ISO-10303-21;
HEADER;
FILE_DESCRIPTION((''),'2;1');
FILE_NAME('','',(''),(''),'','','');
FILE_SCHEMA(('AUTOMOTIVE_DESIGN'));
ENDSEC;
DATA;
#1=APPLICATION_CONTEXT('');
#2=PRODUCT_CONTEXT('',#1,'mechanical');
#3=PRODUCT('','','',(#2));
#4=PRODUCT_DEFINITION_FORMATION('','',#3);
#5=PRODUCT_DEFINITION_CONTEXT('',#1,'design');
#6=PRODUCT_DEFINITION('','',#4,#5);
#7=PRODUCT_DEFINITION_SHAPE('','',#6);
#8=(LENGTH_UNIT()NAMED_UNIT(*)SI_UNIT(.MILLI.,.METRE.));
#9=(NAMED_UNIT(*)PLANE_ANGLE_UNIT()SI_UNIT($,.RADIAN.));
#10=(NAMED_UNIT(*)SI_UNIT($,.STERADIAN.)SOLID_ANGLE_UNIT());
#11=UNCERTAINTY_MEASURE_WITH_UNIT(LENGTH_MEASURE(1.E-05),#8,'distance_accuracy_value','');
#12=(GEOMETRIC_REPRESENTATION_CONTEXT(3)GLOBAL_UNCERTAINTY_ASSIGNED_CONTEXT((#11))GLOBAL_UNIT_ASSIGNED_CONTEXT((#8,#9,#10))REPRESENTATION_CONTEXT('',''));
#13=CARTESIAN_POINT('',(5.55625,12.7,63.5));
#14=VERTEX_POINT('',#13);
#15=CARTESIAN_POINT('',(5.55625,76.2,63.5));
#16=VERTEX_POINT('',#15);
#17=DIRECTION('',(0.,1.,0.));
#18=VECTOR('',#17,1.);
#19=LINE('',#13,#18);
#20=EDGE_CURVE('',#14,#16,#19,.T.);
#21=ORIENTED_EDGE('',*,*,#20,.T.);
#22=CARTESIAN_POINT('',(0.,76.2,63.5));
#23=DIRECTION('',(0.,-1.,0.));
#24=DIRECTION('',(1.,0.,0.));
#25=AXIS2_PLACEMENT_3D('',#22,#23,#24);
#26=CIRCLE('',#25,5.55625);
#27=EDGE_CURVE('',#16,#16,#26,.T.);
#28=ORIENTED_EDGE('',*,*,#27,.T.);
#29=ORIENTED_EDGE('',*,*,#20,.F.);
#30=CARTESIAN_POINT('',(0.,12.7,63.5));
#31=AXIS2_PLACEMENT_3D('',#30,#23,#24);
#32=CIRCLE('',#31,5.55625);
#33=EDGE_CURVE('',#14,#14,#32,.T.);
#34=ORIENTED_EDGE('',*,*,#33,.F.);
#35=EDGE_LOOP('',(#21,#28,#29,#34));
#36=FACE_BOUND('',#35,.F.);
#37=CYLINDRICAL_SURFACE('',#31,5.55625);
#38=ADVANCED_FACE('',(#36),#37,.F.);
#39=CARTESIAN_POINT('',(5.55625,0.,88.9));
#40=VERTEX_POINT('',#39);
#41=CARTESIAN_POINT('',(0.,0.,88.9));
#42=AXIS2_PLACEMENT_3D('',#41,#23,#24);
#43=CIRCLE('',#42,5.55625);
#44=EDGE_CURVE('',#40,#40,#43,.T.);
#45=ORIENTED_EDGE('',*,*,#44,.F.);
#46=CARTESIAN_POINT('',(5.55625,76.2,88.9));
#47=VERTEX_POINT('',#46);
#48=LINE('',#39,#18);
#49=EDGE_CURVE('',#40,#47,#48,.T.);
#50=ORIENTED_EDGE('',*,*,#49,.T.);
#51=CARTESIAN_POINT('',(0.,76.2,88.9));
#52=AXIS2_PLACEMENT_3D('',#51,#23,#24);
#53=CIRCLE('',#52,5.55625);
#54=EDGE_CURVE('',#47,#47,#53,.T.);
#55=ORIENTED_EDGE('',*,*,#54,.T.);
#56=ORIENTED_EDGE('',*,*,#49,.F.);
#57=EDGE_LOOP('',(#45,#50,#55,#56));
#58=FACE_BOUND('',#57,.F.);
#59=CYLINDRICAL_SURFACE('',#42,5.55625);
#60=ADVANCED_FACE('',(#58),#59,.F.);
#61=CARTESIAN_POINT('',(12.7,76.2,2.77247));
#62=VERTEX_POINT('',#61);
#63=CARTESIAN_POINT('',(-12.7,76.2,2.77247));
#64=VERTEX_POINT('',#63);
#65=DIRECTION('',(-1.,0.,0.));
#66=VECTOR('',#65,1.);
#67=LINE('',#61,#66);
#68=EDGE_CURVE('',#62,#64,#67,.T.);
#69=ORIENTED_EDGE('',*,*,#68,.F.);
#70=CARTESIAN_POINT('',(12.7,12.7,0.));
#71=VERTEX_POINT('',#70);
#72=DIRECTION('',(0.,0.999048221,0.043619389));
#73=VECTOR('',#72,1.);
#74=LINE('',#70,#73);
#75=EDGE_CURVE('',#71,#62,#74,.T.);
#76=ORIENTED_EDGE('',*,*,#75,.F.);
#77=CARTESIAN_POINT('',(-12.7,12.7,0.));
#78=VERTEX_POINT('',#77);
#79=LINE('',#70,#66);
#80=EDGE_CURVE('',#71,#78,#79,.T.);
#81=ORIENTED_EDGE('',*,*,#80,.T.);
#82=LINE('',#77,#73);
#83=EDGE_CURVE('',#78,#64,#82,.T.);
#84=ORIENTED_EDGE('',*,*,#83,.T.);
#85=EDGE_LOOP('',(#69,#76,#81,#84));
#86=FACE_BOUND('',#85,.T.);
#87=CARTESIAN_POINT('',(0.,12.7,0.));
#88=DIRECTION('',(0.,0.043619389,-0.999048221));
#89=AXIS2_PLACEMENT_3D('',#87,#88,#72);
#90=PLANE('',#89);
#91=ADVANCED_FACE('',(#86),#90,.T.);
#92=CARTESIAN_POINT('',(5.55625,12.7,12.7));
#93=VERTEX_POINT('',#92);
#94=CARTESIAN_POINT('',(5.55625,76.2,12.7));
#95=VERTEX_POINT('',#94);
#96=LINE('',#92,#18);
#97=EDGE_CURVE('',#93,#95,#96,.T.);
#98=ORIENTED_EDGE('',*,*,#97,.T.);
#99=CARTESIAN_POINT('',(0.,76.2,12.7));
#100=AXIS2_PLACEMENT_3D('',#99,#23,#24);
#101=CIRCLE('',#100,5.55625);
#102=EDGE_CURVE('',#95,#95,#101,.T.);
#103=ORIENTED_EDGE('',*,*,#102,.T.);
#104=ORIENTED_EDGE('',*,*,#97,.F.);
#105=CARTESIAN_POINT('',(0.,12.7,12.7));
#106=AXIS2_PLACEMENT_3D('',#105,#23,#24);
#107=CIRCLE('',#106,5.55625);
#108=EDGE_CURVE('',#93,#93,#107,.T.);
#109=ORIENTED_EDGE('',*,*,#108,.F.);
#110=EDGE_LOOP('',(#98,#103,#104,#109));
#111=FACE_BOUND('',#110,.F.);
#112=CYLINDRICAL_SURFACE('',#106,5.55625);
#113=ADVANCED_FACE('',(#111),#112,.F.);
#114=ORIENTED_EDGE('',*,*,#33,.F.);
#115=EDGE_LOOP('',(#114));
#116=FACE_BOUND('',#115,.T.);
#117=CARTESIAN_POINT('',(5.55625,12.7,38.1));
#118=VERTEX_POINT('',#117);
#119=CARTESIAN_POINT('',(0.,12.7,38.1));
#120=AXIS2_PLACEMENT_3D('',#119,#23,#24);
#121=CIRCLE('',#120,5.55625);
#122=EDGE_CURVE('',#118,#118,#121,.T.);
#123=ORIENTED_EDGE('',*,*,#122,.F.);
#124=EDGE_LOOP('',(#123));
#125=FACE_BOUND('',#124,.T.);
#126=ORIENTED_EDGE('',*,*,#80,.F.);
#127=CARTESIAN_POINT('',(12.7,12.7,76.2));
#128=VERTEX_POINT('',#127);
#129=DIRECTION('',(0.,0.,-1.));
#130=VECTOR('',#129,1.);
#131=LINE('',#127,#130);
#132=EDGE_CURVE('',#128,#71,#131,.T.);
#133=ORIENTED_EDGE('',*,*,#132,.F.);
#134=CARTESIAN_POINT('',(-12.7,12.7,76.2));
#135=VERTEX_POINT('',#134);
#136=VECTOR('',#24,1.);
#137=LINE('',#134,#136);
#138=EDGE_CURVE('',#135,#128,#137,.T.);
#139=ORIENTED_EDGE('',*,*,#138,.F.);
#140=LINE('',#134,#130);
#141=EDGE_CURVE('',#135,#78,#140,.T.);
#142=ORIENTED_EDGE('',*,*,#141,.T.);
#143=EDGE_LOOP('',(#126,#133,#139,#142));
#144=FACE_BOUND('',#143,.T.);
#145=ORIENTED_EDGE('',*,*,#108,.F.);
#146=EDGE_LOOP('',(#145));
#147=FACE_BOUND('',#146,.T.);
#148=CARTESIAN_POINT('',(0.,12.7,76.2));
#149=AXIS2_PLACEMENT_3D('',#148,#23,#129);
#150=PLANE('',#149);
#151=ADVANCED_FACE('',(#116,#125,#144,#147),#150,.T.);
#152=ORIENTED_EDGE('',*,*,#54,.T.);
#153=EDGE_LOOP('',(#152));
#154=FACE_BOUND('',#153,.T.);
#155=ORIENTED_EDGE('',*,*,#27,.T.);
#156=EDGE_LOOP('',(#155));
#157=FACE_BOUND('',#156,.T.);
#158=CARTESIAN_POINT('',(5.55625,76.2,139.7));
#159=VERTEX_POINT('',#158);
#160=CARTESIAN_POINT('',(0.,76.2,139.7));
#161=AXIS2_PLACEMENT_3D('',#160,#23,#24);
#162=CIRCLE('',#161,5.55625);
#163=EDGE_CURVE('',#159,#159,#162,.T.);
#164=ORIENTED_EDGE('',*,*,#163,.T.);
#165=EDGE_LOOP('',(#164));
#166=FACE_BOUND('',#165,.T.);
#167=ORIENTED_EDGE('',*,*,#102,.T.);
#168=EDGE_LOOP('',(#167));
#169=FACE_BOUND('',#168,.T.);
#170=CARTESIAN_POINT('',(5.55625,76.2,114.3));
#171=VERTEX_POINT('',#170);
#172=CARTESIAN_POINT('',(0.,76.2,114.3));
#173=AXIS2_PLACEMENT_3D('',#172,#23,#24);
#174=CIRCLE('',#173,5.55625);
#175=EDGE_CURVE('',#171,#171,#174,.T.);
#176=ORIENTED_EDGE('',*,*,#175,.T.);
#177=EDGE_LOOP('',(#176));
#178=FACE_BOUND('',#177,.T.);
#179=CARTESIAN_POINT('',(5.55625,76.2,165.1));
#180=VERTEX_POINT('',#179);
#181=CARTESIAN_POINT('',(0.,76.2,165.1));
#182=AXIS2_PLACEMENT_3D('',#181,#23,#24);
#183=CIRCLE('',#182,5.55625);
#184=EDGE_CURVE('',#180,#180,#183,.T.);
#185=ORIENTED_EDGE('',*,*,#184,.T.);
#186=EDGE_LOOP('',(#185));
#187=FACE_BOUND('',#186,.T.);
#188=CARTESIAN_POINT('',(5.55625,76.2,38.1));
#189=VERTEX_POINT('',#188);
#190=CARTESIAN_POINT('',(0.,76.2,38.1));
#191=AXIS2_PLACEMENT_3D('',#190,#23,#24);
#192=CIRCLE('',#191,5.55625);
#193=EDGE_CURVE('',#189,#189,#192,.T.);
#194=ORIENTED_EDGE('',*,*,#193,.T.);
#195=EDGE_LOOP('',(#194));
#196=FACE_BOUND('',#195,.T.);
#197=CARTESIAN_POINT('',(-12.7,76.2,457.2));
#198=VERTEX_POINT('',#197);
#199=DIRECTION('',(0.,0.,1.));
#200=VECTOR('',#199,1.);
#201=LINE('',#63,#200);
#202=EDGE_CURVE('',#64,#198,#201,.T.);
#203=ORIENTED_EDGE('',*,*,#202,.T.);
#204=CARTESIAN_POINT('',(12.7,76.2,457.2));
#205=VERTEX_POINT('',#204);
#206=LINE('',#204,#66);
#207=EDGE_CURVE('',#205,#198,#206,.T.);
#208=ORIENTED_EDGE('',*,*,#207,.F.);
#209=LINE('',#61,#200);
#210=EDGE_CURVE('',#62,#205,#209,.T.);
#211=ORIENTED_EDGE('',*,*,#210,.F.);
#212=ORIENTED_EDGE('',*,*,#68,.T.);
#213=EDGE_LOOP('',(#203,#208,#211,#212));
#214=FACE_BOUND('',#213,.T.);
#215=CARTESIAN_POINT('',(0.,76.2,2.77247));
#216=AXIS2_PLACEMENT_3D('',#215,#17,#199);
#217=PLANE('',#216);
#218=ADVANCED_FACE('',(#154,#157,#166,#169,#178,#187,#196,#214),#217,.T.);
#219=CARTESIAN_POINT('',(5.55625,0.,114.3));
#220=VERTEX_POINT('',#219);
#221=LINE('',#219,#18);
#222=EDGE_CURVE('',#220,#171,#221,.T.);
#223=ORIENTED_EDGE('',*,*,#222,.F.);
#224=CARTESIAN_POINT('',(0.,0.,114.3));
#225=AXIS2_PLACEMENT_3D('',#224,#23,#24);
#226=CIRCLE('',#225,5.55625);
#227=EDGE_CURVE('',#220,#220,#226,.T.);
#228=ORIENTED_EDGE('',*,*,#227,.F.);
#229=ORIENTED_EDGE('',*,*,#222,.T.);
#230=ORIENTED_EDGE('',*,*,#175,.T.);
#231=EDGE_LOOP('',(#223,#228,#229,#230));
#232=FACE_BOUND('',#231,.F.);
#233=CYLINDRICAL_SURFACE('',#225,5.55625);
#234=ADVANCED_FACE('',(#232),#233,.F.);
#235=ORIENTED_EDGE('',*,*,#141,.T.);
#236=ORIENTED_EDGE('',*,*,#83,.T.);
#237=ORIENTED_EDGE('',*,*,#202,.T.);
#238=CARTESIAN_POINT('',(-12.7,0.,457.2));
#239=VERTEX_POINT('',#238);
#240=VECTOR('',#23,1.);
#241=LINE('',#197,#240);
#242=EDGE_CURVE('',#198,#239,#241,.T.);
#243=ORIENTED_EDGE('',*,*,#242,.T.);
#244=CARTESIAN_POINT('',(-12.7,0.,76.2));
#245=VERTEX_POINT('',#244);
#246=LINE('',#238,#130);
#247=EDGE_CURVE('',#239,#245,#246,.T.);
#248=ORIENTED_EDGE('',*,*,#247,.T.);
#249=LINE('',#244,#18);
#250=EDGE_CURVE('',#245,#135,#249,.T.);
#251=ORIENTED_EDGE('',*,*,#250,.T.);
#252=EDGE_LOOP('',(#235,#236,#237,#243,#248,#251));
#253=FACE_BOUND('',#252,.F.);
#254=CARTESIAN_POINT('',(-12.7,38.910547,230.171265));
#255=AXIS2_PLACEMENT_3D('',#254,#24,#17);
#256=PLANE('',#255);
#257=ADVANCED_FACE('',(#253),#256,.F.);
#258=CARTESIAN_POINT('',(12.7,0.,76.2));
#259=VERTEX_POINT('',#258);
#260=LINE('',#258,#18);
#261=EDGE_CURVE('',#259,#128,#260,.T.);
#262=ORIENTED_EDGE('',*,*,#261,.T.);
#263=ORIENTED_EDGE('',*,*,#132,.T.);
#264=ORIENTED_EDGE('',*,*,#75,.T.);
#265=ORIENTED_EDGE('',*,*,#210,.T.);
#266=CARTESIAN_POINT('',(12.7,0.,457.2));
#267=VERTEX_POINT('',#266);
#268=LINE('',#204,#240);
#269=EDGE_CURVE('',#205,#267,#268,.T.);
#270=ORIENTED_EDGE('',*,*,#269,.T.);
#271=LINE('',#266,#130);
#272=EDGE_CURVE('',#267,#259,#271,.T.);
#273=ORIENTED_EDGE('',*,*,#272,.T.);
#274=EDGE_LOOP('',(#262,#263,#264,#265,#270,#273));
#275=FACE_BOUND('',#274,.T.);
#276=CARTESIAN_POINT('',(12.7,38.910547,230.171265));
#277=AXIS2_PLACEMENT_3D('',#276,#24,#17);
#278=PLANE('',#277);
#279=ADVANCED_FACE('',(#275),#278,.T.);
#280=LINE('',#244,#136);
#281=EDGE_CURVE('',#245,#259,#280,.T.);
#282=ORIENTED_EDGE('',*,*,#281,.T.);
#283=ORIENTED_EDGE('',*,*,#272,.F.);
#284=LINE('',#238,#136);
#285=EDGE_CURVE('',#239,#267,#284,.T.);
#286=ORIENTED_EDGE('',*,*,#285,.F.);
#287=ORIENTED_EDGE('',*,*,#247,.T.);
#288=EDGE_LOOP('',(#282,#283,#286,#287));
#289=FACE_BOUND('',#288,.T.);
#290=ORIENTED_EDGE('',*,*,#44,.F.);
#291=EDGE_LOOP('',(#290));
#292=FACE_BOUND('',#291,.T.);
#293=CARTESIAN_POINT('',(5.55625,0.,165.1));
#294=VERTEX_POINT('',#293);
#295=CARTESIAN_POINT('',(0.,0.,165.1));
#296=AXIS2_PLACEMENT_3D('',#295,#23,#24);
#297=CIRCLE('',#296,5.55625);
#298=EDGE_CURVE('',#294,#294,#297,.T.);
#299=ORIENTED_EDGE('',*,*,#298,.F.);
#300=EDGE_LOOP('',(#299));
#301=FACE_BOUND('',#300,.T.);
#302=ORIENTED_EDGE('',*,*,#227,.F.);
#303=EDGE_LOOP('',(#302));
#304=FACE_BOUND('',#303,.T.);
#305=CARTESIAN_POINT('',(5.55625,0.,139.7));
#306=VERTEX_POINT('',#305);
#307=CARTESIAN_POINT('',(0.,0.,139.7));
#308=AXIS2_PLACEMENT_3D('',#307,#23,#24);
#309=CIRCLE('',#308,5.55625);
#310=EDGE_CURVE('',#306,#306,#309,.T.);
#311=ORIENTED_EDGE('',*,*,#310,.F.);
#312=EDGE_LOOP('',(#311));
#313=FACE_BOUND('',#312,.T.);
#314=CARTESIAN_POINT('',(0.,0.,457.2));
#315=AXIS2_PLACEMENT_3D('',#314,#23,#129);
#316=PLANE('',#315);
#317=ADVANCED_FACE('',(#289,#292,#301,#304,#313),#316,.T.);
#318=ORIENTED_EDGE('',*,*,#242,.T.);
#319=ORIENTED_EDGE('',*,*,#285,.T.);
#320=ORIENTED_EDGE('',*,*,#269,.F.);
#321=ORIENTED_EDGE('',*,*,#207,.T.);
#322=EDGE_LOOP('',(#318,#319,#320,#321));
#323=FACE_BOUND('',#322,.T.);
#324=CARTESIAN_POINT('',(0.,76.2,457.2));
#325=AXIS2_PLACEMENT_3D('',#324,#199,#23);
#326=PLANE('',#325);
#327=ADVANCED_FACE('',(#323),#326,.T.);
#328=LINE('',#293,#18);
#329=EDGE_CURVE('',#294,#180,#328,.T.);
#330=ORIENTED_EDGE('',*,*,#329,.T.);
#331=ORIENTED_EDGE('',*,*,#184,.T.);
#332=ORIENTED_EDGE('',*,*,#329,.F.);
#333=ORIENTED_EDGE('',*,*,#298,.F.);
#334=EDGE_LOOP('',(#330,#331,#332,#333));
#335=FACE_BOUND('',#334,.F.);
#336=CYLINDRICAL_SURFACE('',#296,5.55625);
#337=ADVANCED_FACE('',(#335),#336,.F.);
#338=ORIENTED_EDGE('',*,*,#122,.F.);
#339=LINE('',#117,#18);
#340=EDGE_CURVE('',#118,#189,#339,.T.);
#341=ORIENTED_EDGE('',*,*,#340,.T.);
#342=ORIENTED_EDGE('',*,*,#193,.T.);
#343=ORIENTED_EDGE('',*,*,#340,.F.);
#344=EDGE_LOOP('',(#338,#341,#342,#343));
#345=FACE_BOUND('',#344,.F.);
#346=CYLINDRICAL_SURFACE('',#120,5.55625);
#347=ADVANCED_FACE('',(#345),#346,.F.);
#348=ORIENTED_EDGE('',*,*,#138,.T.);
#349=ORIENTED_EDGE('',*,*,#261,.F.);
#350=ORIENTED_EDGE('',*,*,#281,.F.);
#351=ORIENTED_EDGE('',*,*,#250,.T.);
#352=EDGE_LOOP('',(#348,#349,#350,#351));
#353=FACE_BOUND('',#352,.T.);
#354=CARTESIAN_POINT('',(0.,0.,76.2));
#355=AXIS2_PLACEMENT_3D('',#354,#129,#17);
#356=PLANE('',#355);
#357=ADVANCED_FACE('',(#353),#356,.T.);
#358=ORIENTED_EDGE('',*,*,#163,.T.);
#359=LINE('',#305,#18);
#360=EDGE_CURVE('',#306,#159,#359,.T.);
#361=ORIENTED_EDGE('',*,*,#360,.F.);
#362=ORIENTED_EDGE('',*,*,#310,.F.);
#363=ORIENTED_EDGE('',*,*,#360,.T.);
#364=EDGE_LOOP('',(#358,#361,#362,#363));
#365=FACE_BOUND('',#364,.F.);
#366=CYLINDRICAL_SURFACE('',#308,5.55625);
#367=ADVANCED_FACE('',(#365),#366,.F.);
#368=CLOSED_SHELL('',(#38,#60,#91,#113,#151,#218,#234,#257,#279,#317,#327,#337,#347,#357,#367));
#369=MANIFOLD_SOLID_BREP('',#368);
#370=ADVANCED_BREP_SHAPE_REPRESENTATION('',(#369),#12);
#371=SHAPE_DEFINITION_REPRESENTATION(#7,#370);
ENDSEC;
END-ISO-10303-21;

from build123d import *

# Parameters (mm, degrees)
F1_DEPTH = 12.7
F2_R     = 5.55625
F3_DEPTH = 63.501
F4_R     = 5.55625
F5_DEPTH = 76.201


with BuildPart() as f1:
    # F0 (on Right) → F1 (new body, symmetric)
    with BuildSketch(Plane.YZ):
        Polygon((76.2, 457.2), (0, 457.2), (0, 76.2), (12.7, 76.2), (12.7, 0), (76.2, 2.77247), align=None)
    extrude(amount=F1_DEPTH, both=True)

    # F2 (on face) → F3 (cut, through all)
    with BuildSketch(Plane.XZ.offset(-12.7)):
        with Locations((0, 38.1)):
            Circle(F2_R)
        with Locations((0, 63.5)):
            Circle(F2_R)
        with Locations((0, 12.7)):
            Circle(F2_R)
    extrude(amount=-F3_DEPTH, mode=Mode.SUBTRACT)

    # F4 (on face) → F5 (cut, through all)
    with BuildSketch(Plane.XZ):
        with Locations((0, 114.3)):
            Circle(F4_R)
        with Locations((0, 139.7)):
            Circle(F4_R)
        with Locations((0, 88.9)):
            Circle(F4_R)
        with Locations((0, 165.1)):
            Circle(F4_R)
    extrude(amount=-F5_DEPTH, mode=Mode.SUBTRACT)


solid = f1.part
